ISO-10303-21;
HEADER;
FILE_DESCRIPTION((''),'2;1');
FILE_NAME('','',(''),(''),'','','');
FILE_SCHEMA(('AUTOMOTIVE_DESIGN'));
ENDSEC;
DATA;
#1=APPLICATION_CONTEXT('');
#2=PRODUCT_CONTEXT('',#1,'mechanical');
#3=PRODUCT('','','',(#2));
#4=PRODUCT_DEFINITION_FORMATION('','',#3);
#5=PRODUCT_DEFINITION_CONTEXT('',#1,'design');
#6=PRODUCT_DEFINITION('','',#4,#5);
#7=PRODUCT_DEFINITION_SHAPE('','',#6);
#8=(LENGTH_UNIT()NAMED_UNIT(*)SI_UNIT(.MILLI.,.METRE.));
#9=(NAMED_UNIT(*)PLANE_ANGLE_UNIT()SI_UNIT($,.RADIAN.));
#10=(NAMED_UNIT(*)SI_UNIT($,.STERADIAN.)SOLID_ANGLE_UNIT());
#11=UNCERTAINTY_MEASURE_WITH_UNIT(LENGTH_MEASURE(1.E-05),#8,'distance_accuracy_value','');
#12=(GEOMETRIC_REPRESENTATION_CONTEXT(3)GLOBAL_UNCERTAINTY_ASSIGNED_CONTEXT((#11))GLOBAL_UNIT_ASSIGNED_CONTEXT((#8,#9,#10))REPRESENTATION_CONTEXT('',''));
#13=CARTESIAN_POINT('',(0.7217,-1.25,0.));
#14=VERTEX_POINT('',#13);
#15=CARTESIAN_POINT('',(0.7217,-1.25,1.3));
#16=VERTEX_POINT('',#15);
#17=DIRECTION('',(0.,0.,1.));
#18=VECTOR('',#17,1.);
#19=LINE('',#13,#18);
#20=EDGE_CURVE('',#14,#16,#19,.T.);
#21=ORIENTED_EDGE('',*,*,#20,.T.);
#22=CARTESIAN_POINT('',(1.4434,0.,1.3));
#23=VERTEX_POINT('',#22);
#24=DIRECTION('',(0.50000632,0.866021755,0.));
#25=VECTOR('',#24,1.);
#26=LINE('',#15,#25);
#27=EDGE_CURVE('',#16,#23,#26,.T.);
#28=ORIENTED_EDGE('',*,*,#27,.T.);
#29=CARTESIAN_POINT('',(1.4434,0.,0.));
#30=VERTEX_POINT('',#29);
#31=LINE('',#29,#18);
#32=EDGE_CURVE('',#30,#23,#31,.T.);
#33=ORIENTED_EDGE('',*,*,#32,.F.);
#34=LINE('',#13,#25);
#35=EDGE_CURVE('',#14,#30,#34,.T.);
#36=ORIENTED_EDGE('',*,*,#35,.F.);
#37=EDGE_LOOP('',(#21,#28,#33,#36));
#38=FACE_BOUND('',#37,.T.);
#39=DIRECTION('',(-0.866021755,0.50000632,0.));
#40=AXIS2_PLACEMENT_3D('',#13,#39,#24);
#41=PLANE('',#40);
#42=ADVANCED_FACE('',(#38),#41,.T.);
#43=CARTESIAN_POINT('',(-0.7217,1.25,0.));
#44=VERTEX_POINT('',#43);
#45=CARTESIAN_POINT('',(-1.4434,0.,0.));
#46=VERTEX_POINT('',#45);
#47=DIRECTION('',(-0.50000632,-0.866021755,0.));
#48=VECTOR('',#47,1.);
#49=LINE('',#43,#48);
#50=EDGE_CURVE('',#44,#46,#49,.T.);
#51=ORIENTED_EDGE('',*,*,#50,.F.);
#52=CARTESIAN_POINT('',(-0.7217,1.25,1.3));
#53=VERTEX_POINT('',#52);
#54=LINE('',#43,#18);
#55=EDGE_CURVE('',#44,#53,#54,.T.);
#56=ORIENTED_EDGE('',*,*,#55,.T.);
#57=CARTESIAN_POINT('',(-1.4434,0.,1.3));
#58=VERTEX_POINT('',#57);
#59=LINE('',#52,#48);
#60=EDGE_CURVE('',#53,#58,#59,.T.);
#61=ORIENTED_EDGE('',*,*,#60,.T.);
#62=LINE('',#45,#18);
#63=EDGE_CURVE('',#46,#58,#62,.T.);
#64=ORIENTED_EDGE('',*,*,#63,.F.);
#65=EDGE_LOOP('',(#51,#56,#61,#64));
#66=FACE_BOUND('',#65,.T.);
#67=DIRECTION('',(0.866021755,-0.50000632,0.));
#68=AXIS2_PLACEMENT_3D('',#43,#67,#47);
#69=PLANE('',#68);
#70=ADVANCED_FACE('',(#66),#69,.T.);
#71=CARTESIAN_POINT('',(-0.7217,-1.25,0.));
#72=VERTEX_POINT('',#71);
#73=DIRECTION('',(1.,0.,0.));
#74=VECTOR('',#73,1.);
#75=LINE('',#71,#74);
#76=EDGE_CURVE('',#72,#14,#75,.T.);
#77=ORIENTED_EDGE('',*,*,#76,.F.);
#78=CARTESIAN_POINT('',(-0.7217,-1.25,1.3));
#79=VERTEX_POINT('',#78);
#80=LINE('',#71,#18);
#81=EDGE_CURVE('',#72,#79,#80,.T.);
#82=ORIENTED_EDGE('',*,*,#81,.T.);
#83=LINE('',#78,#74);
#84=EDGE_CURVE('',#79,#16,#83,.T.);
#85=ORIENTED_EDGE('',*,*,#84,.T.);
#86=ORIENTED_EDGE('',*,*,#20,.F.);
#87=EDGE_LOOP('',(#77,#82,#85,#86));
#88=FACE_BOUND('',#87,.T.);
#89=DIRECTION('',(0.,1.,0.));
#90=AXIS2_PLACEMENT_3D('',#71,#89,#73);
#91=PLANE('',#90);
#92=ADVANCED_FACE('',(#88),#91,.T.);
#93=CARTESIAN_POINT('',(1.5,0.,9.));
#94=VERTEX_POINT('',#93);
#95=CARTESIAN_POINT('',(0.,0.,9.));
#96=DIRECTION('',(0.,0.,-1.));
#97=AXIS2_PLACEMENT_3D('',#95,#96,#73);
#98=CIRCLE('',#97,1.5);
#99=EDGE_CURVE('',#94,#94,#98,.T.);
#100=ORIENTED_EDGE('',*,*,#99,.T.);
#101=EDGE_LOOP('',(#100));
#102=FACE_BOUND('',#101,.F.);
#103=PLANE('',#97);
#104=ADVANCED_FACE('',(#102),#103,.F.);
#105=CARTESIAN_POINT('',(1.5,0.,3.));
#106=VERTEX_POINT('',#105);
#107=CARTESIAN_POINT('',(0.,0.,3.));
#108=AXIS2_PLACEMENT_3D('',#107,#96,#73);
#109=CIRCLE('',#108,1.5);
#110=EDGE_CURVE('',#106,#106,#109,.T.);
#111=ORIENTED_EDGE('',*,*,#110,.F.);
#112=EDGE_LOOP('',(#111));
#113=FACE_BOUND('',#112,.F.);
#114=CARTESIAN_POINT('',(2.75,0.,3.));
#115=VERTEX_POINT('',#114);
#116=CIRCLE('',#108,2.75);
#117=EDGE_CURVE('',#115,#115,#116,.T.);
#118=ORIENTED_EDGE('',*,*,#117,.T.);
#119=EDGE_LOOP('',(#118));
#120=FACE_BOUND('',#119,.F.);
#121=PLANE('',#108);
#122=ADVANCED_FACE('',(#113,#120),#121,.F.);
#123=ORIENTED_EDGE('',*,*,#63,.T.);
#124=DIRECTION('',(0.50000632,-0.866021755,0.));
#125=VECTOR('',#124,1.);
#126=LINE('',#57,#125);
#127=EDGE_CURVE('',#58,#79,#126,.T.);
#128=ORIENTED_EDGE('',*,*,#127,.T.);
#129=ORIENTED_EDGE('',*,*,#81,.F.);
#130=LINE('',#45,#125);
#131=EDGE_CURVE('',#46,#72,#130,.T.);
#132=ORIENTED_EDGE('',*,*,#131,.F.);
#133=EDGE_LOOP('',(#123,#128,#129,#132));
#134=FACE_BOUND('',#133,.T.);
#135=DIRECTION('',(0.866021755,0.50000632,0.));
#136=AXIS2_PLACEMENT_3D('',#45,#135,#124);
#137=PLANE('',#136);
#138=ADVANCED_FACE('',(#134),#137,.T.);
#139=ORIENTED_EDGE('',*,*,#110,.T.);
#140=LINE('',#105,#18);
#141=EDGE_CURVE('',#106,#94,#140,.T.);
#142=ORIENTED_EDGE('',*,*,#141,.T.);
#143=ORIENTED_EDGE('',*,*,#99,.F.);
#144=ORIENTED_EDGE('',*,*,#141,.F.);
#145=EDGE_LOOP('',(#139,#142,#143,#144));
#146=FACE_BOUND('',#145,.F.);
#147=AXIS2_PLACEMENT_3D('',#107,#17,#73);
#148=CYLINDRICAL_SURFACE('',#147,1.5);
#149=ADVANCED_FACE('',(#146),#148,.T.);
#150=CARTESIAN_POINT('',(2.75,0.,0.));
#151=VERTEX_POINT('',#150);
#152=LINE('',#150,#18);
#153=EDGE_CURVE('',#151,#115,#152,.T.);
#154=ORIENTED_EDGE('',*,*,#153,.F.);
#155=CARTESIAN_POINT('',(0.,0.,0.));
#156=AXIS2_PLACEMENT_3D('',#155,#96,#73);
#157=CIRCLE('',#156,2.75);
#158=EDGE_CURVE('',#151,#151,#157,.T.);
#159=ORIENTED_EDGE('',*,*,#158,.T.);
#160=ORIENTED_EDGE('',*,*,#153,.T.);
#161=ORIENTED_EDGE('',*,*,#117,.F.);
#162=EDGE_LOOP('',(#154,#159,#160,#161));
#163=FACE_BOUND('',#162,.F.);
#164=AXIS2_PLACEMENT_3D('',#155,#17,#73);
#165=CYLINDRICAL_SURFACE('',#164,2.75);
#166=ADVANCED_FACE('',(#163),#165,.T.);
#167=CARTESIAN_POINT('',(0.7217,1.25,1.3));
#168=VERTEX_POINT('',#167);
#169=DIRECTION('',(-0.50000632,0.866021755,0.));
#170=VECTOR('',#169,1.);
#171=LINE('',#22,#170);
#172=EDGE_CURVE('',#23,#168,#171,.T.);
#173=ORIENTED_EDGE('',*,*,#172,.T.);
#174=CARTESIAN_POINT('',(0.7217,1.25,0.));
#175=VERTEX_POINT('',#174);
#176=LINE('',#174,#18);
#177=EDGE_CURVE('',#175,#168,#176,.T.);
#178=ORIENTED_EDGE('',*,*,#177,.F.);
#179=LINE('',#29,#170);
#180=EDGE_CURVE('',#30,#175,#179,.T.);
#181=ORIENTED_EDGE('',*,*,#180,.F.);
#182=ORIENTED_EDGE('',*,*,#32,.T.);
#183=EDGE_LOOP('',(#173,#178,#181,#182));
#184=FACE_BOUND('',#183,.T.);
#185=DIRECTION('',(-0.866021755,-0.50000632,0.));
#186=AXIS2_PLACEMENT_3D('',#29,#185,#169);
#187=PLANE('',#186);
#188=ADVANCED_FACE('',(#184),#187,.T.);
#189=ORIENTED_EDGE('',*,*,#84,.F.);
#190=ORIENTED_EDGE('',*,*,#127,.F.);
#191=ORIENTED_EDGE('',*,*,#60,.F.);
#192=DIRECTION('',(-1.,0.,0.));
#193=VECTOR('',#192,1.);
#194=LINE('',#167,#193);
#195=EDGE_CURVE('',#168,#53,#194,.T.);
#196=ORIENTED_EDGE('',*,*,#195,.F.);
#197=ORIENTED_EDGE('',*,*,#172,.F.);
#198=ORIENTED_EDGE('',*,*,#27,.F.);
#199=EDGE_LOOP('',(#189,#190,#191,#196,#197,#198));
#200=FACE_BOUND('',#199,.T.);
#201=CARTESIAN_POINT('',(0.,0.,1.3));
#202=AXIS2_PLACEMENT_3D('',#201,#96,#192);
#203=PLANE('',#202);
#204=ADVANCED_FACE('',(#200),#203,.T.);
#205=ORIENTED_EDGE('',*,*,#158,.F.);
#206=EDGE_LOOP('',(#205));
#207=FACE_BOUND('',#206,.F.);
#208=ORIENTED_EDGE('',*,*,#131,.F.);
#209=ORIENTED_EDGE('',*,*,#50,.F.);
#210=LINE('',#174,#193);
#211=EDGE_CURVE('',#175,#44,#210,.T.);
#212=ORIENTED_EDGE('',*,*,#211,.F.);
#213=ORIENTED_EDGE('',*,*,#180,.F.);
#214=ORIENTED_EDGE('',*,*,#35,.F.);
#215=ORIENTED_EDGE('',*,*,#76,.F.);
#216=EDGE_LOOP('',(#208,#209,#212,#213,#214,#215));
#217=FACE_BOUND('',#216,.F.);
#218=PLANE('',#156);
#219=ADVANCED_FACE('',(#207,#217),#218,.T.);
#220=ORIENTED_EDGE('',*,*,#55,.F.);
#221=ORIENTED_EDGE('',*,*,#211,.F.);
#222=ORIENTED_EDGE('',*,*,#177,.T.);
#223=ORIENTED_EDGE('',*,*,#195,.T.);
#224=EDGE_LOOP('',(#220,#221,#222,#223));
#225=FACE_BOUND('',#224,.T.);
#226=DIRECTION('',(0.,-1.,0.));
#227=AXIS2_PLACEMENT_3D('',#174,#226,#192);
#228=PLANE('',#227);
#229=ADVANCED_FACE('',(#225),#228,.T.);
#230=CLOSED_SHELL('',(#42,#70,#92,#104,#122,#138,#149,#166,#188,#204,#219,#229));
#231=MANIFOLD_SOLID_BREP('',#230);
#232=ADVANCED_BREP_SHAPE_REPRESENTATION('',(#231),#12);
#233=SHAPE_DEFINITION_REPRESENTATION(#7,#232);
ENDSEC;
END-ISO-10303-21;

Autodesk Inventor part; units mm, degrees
ref_plane "YZ Plane" through (0, 0, 0) normal (1, 0, 0) x (0, 1, 0)
ref_plane "XZ Plane" through (0, 0, 0) normal (0, 1, 0) x (-1, 0, 0)
ref_plane "XY Plane" through (0, 0, 0) normal (0, 0, 1) x (1, 0, 0)
sketch "Sketch1" plane through (0, 0, 0) normal (0, 1, 0) x (-1, 0, 0)
  line L0 (0, 0) -> (-2.75, 0)
  line L1 (-2.75, 0) -> (-2.75, 3)
  line L2 (-2.75, 3) -> (-1.5, 3)
  line L3 (-1.5, 3) -> (-1.5, 9)
  line L4 (-1.5, 9) -> (0, 9)
  line L5 (0, 9) -> (0, 0)
  dimension "ScrewLength" = 6
  dimension "Diameter" = 5.5
  dimension "Metric" = 3
  dimension "HeadLength" = 3
revolve "Revolution1" add sketch "Sketch1" angle 360 about axis through (0, 0, 9) along (0, 0, -1)
thread "Thread1" size "M3x0.5" class "6g" standard "ANSI Metric M Profile" full length
sketch "Sketch2" plane through (0, 0, 0) normal (0, 0, -1) x (-1, 0, 0)
  line L0 (0.7217, 1.25) -> (1.4434, 0)
  line L1 (1.4434, 0) -> (0.7217, -1.25)
  line L2 (0.7217, -1.25) -> (-0.7217, -1.25)
  line L3 (-0.7217, -1.25) -> (-1.4434, 0)
  line L4 (-1.4434, 0) -> (-0.7217, 1.25)
  line L5 (-0.7217, 1.25) -> (0.7217, 1.25)
  point P0 (0, 0)
  point P1 (0, 0)
  dimension "WidthAcrossFlat" = 2.5
extrude "Extrusion1" cut sketch "Sketch2" against normal blind 1.3
properties part number "UC-0306" material "Stainless Steel AISI 304"
